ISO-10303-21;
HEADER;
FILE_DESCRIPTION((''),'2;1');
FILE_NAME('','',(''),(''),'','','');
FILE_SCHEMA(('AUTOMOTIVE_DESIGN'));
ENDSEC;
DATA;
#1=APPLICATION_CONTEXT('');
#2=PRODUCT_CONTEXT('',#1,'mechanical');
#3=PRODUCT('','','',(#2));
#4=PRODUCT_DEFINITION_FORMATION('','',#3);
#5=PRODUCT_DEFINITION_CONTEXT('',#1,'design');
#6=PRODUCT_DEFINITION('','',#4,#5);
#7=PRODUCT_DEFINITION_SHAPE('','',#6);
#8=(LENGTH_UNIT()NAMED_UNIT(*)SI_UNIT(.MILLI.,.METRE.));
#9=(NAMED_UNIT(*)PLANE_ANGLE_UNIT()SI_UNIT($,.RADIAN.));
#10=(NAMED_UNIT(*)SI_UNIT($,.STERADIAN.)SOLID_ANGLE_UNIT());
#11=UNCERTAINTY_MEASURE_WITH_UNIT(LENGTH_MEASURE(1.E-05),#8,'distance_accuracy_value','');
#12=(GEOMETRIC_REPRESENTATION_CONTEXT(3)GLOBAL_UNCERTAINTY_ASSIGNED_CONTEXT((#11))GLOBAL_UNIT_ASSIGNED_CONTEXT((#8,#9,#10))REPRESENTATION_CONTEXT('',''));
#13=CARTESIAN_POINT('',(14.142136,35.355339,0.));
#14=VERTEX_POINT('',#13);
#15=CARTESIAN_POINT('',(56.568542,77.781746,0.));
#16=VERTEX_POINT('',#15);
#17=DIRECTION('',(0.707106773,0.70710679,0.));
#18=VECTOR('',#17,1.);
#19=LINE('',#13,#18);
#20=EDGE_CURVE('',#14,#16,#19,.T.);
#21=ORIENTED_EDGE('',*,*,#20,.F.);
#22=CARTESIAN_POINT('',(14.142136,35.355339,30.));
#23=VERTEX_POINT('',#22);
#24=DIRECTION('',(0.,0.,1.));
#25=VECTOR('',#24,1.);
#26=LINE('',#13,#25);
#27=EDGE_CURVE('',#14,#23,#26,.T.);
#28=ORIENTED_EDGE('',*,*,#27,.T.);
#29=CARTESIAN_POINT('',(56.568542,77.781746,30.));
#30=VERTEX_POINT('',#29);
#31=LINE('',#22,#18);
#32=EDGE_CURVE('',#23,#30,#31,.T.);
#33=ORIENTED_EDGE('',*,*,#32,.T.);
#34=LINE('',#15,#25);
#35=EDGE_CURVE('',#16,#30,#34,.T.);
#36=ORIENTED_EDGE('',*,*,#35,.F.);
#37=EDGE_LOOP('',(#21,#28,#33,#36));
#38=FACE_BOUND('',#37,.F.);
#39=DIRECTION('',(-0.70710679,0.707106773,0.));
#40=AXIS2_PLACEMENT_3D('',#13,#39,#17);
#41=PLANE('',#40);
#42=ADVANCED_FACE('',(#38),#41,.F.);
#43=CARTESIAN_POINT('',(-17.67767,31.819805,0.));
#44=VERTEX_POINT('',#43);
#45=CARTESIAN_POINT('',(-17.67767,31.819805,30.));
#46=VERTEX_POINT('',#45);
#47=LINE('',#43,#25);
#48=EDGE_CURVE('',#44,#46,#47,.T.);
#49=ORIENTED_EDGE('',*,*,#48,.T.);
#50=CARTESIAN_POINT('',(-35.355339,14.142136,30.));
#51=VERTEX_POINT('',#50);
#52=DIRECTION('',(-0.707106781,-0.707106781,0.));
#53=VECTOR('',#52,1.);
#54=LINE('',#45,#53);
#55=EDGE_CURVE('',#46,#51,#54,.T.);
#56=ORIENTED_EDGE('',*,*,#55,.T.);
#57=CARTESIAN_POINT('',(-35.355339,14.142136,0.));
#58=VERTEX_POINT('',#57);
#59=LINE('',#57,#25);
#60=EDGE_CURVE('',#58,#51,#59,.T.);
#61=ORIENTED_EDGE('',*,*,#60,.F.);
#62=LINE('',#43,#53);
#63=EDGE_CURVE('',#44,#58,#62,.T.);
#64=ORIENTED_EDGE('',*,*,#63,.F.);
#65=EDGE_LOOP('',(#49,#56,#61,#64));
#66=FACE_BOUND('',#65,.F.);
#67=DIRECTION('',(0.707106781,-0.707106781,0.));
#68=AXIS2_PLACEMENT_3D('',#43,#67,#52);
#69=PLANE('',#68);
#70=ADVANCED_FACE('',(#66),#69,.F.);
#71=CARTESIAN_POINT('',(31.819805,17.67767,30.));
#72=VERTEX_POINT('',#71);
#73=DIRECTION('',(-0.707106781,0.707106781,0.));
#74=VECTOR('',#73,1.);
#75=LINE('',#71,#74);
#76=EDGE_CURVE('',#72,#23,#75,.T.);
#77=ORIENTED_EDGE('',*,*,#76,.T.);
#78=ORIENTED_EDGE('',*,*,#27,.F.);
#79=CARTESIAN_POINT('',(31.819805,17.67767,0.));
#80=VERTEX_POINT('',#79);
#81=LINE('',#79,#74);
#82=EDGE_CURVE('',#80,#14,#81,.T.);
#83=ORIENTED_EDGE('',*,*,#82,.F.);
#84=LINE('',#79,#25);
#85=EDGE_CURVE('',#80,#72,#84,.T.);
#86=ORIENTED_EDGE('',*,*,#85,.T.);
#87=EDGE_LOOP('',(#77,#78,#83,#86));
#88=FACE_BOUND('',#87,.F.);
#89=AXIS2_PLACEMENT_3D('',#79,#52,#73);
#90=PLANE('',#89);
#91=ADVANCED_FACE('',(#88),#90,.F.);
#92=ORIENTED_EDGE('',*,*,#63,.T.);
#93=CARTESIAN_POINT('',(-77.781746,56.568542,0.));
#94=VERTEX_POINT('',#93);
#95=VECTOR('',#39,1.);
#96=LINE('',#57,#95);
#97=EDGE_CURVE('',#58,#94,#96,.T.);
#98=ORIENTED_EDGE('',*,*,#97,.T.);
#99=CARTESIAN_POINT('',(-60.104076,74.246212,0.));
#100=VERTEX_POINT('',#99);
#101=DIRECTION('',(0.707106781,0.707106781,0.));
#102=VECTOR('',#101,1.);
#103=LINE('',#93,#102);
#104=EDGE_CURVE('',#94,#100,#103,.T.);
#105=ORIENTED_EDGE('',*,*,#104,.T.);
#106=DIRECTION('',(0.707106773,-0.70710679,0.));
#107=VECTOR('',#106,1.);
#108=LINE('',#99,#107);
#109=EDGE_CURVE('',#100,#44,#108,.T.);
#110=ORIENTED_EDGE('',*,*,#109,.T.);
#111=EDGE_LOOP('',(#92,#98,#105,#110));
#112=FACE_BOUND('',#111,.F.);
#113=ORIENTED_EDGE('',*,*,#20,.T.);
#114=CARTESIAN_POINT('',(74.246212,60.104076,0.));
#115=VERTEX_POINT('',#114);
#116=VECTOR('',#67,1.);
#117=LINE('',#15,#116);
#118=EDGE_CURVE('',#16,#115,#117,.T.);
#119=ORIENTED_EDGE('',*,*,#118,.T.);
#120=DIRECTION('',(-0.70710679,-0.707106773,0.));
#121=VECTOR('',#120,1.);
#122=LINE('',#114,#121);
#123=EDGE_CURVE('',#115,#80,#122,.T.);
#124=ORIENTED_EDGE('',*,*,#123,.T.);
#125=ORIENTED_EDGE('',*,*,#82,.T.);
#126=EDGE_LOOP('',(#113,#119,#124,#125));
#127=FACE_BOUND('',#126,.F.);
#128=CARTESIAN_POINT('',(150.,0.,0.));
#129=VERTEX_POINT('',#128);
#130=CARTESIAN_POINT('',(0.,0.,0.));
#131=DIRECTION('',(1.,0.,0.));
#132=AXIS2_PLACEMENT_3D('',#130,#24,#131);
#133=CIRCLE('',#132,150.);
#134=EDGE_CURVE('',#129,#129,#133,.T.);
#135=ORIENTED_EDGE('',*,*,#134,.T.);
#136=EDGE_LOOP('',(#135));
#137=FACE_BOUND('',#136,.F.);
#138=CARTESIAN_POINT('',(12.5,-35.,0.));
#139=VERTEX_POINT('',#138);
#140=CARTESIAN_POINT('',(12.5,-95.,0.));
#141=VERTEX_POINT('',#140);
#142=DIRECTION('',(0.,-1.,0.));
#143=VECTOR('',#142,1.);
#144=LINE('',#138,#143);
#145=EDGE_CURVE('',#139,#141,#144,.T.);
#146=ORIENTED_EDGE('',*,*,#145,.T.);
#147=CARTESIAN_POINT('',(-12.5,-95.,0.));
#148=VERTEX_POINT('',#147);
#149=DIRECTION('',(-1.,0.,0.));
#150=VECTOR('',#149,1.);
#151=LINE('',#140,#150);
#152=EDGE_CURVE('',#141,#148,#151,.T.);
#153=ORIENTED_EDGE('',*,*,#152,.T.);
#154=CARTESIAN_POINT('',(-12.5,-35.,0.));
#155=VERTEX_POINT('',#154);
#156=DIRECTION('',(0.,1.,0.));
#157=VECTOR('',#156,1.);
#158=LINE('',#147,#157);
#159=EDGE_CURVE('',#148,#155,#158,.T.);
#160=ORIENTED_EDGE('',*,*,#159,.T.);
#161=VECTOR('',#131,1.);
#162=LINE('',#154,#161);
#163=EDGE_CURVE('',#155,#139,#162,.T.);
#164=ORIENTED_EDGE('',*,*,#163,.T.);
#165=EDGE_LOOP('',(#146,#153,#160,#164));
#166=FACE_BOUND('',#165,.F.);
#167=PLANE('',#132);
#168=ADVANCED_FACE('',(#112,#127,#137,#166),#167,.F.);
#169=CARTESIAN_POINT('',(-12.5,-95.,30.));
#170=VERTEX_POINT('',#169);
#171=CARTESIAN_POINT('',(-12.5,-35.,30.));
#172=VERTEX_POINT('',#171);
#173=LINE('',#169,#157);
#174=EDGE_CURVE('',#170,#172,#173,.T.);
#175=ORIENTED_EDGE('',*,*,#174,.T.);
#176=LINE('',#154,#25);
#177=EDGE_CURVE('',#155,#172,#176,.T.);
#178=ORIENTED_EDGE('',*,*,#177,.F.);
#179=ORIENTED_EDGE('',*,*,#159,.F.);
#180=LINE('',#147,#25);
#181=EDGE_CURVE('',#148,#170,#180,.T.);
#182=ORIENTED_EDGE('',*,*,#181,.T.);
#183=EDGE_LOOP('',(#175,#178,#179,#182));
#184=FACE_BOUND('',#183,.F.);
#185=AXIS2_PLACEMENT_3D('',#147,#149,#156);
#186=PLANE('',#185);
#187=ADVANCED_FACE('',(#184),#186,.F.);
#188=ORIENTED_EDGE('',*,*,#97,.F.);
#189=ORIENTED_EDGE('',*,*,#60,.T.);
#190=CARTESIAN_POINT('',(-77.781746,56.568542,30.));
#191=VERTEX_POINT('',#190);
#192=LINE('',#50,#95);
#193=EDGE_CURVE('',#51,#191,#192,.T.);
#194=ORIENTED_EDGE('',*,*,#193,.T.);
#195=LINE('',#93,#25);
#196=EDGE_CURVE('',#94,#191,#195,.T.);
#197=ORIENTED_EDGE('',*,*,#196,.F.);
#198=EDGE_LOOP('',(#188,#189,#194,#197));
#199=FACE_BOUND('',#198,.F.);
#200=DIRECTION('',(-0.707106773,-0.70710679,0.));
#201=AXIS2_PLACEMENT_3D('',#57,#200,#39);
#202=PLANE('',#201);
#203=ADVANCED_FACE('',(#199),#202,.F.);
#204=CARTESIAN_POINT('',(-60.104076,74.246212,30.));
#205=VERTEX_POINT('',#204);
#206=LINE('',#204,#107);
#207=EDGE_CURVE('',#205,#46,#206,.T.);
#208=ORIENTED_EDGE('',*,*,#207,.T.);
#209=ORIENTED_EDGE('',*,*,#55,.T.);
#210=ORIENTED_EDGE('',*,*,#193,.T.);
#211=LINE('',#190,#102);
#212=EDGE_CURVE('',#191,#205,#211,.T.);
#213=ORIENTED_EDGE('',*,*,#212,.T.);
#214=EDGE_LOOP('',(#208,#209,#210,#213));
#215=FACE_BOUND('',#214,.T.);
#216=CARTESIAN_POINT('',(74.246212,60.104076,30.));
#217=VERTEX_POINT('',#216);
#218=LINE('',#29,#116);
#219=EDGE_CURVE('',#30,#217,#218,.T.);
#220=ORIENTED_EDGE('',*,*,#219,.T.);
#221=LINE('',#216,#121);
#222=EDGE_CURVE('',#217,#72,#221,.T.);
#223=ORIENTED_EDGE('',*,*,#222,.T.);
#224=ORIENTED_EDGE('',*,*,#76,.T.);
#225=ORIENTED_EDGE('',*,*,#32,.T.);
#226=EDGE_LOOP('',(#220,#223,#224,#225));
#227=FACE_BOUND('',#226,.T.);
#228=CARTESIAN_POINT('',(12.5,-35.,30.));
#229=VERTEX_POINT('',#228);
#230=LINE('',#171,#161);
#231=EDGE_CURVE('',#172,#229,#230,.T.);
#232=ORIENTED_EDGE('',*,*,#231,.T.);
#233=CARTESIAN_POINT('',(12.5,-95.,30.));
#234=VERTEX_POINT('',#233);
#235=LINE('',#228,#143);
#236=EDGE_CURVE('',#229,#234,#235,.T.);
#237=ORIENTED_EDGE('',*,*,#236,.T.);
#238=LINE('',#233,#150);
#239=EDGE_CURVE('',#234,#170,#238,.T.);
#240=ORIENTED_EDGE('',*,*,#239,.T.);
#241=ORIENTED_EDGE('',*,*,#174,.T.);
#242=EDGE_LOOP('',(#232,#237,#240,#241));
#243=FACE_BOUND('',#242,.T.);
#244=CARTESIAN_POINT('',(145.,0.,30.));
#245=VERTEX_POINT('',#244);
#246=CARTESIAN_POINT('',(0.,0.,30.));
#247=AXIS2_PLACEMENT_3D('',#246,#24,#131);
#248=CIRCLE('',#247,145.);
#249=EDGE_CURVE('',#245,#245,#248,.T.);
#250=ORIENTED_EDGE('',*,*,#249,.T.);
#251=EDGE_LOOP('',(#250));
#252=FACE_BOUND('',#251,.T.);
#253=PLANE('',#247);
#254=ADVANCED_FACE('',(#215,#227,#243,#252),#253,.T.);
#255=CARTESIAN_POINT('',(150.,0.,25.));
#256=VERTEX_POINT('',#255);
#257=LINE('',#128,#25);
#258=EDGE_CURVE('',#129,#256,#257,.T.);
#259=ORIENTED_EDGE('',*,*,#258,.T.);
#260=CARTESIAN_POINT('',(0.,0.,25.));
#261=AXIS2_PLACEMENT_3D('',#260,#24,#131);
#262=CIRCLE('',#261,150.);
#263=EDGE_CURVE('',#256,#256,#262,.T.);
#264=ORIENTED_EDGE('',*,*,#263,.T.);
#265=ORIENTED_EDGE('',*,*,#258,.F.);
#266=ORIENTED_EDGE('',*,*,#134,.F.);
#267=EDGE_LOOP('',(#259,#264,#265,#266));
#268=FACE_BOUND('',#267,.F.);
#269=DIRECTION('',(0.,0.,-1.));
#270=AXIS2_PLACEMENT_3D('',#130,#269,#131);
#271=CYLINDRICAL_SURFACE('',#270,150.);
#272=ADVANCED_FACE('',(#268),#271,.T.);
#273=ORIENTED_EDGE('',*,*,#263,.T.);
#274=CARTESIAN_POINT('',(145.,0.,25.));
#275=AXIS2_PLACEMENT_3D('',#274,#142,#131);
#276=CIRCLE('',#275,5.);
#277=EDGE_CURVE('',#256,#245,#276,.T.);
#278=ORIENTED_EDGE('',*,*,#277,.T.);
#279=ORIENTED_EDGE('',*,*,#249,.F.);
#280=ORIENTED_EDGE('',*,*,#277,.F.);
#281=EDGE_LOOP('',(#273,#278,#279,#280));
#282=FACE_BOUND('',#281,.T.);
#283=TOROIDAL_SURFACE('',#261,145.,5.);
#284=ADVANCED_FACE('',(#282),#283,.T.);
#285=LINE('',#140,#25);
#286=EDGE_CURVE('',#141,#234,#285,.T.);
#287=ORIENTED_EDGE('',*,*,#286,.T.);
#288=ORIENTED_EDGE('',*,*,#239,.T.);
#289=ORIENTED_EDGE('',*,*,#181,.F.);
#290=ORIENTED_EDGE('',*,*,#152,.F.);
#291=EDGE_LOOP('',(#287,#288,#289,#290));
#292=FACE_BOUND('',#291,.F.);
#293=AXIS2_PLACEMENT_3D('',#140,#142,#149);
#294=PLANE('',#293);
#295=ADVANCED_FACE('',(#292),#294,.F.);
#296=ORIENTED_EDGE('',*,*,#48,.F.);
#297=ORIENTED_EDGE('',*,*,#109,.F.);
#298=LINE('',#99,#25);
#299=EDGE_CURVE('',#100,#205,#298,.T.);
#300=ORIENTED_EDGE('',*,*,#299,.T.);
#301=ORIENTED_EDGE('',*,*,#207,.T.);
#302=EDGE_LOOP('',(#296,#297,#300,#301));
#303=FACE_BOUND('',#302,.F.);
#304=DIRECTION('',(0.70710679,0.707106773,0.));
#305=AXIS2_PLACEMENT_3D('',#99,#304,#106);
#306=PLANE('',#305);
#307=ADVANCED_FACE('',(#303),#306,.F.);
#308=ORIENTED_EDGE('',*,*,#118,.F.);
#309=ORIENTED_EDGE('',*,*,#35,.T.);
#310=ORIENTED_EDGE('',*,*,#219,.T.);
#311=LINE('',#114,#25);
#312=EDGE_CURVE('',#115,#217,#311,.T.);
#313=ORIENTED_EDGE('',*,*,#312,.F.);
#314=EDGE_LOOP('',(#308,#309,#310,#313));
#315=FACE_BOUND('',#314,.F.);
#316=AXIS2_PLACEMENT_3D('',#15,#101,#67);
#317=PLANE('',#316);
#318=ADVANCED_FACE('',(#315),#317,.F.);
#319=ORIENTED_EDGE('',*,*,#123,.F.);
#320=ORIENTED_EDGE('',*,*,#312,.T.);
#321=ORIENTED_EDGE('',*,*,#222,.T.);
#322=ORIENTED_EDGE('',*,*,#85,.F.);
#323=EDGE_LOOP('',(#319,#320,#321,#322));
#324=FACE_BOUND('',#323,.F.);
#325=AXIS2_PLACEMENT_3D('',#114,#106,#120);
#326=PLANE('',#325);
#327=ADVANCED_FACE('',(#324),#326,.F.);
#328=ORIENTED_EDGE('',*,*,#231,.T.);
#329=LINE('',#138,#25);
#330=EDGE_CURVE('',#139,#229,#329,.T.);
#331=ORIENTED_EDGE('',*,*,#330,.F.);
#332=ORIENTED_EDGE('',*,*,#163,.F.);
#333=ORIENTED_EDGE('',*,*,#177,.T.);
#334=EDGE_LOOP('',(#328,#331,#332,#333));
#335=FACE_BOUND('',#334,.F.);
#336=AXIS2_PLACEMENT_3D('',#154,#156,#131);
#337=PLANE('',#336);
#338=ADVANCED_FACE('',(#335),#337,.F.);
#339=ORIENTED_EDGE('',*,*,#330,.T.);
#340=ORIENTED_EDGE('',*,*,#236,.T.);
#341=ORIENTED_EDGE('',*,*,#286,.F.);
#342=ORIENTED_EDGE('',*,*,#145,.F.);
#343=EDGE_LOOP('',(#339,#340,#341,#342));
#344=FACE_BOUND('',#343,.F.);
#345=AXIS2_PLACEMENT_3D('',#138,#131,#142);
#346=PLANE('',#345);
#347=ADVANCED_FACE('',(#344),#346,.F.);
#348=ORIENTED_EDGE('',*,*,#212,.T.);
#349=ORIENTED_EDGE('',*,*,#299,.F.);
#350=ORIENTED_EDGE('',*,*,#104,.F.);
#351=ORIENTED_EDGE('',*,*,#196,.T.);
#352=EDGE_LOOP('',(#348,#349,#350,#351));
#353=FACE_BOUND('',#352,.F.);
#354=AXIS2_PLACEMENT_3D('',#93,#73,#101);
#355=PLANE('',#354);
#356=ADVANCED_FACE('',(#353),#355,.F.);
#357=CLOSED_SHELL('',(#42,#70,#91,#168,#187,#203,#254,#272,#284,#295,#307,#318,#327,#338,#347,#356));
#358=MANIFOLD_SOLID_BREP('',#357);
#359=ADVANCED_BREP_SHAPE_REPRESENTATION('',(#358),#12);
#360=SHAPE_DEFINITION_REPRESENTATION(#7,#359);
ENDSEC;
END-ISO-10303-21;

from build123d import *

# Parameters (mm, degrees)
F0_R     = 150
F1_DEPTH = 30
F2_R     = 5


with BuildPart() as f1:
    # F0 (on Top) → F1 (new body)
    with BuildSketch(Plane.XY):
        Circle(F0_R)
        Polygon((-12.5, -35), (0, -35), (12.5, -35), (12.5, -95), (-12.5, -95), align=None, mode=Mode.SUBTRACT)
        Polygon((-35.355339, 14.142136), (-77.781746, 56.568542), (-60.104076, 74.246212), (-17.67767, 31.819805), align=None, mode=Mode.SUBTRACT)
        Polygon((56.568542, 77.781746), (74.246212, 60.104076), (31.819805, 17.67767), (14.142136, 35.355339), align=None, mode=Mode.SUBTRACT)
    extrude(amount=F1_DEPTH)

    # F2
    f2_edges = [f1.edges().sort_by_distance(p)[0] for p in [
        (-150, 0, 30),
    ]]
    fillet(f2_edges, radius=F2_R)


solid = f1.part
